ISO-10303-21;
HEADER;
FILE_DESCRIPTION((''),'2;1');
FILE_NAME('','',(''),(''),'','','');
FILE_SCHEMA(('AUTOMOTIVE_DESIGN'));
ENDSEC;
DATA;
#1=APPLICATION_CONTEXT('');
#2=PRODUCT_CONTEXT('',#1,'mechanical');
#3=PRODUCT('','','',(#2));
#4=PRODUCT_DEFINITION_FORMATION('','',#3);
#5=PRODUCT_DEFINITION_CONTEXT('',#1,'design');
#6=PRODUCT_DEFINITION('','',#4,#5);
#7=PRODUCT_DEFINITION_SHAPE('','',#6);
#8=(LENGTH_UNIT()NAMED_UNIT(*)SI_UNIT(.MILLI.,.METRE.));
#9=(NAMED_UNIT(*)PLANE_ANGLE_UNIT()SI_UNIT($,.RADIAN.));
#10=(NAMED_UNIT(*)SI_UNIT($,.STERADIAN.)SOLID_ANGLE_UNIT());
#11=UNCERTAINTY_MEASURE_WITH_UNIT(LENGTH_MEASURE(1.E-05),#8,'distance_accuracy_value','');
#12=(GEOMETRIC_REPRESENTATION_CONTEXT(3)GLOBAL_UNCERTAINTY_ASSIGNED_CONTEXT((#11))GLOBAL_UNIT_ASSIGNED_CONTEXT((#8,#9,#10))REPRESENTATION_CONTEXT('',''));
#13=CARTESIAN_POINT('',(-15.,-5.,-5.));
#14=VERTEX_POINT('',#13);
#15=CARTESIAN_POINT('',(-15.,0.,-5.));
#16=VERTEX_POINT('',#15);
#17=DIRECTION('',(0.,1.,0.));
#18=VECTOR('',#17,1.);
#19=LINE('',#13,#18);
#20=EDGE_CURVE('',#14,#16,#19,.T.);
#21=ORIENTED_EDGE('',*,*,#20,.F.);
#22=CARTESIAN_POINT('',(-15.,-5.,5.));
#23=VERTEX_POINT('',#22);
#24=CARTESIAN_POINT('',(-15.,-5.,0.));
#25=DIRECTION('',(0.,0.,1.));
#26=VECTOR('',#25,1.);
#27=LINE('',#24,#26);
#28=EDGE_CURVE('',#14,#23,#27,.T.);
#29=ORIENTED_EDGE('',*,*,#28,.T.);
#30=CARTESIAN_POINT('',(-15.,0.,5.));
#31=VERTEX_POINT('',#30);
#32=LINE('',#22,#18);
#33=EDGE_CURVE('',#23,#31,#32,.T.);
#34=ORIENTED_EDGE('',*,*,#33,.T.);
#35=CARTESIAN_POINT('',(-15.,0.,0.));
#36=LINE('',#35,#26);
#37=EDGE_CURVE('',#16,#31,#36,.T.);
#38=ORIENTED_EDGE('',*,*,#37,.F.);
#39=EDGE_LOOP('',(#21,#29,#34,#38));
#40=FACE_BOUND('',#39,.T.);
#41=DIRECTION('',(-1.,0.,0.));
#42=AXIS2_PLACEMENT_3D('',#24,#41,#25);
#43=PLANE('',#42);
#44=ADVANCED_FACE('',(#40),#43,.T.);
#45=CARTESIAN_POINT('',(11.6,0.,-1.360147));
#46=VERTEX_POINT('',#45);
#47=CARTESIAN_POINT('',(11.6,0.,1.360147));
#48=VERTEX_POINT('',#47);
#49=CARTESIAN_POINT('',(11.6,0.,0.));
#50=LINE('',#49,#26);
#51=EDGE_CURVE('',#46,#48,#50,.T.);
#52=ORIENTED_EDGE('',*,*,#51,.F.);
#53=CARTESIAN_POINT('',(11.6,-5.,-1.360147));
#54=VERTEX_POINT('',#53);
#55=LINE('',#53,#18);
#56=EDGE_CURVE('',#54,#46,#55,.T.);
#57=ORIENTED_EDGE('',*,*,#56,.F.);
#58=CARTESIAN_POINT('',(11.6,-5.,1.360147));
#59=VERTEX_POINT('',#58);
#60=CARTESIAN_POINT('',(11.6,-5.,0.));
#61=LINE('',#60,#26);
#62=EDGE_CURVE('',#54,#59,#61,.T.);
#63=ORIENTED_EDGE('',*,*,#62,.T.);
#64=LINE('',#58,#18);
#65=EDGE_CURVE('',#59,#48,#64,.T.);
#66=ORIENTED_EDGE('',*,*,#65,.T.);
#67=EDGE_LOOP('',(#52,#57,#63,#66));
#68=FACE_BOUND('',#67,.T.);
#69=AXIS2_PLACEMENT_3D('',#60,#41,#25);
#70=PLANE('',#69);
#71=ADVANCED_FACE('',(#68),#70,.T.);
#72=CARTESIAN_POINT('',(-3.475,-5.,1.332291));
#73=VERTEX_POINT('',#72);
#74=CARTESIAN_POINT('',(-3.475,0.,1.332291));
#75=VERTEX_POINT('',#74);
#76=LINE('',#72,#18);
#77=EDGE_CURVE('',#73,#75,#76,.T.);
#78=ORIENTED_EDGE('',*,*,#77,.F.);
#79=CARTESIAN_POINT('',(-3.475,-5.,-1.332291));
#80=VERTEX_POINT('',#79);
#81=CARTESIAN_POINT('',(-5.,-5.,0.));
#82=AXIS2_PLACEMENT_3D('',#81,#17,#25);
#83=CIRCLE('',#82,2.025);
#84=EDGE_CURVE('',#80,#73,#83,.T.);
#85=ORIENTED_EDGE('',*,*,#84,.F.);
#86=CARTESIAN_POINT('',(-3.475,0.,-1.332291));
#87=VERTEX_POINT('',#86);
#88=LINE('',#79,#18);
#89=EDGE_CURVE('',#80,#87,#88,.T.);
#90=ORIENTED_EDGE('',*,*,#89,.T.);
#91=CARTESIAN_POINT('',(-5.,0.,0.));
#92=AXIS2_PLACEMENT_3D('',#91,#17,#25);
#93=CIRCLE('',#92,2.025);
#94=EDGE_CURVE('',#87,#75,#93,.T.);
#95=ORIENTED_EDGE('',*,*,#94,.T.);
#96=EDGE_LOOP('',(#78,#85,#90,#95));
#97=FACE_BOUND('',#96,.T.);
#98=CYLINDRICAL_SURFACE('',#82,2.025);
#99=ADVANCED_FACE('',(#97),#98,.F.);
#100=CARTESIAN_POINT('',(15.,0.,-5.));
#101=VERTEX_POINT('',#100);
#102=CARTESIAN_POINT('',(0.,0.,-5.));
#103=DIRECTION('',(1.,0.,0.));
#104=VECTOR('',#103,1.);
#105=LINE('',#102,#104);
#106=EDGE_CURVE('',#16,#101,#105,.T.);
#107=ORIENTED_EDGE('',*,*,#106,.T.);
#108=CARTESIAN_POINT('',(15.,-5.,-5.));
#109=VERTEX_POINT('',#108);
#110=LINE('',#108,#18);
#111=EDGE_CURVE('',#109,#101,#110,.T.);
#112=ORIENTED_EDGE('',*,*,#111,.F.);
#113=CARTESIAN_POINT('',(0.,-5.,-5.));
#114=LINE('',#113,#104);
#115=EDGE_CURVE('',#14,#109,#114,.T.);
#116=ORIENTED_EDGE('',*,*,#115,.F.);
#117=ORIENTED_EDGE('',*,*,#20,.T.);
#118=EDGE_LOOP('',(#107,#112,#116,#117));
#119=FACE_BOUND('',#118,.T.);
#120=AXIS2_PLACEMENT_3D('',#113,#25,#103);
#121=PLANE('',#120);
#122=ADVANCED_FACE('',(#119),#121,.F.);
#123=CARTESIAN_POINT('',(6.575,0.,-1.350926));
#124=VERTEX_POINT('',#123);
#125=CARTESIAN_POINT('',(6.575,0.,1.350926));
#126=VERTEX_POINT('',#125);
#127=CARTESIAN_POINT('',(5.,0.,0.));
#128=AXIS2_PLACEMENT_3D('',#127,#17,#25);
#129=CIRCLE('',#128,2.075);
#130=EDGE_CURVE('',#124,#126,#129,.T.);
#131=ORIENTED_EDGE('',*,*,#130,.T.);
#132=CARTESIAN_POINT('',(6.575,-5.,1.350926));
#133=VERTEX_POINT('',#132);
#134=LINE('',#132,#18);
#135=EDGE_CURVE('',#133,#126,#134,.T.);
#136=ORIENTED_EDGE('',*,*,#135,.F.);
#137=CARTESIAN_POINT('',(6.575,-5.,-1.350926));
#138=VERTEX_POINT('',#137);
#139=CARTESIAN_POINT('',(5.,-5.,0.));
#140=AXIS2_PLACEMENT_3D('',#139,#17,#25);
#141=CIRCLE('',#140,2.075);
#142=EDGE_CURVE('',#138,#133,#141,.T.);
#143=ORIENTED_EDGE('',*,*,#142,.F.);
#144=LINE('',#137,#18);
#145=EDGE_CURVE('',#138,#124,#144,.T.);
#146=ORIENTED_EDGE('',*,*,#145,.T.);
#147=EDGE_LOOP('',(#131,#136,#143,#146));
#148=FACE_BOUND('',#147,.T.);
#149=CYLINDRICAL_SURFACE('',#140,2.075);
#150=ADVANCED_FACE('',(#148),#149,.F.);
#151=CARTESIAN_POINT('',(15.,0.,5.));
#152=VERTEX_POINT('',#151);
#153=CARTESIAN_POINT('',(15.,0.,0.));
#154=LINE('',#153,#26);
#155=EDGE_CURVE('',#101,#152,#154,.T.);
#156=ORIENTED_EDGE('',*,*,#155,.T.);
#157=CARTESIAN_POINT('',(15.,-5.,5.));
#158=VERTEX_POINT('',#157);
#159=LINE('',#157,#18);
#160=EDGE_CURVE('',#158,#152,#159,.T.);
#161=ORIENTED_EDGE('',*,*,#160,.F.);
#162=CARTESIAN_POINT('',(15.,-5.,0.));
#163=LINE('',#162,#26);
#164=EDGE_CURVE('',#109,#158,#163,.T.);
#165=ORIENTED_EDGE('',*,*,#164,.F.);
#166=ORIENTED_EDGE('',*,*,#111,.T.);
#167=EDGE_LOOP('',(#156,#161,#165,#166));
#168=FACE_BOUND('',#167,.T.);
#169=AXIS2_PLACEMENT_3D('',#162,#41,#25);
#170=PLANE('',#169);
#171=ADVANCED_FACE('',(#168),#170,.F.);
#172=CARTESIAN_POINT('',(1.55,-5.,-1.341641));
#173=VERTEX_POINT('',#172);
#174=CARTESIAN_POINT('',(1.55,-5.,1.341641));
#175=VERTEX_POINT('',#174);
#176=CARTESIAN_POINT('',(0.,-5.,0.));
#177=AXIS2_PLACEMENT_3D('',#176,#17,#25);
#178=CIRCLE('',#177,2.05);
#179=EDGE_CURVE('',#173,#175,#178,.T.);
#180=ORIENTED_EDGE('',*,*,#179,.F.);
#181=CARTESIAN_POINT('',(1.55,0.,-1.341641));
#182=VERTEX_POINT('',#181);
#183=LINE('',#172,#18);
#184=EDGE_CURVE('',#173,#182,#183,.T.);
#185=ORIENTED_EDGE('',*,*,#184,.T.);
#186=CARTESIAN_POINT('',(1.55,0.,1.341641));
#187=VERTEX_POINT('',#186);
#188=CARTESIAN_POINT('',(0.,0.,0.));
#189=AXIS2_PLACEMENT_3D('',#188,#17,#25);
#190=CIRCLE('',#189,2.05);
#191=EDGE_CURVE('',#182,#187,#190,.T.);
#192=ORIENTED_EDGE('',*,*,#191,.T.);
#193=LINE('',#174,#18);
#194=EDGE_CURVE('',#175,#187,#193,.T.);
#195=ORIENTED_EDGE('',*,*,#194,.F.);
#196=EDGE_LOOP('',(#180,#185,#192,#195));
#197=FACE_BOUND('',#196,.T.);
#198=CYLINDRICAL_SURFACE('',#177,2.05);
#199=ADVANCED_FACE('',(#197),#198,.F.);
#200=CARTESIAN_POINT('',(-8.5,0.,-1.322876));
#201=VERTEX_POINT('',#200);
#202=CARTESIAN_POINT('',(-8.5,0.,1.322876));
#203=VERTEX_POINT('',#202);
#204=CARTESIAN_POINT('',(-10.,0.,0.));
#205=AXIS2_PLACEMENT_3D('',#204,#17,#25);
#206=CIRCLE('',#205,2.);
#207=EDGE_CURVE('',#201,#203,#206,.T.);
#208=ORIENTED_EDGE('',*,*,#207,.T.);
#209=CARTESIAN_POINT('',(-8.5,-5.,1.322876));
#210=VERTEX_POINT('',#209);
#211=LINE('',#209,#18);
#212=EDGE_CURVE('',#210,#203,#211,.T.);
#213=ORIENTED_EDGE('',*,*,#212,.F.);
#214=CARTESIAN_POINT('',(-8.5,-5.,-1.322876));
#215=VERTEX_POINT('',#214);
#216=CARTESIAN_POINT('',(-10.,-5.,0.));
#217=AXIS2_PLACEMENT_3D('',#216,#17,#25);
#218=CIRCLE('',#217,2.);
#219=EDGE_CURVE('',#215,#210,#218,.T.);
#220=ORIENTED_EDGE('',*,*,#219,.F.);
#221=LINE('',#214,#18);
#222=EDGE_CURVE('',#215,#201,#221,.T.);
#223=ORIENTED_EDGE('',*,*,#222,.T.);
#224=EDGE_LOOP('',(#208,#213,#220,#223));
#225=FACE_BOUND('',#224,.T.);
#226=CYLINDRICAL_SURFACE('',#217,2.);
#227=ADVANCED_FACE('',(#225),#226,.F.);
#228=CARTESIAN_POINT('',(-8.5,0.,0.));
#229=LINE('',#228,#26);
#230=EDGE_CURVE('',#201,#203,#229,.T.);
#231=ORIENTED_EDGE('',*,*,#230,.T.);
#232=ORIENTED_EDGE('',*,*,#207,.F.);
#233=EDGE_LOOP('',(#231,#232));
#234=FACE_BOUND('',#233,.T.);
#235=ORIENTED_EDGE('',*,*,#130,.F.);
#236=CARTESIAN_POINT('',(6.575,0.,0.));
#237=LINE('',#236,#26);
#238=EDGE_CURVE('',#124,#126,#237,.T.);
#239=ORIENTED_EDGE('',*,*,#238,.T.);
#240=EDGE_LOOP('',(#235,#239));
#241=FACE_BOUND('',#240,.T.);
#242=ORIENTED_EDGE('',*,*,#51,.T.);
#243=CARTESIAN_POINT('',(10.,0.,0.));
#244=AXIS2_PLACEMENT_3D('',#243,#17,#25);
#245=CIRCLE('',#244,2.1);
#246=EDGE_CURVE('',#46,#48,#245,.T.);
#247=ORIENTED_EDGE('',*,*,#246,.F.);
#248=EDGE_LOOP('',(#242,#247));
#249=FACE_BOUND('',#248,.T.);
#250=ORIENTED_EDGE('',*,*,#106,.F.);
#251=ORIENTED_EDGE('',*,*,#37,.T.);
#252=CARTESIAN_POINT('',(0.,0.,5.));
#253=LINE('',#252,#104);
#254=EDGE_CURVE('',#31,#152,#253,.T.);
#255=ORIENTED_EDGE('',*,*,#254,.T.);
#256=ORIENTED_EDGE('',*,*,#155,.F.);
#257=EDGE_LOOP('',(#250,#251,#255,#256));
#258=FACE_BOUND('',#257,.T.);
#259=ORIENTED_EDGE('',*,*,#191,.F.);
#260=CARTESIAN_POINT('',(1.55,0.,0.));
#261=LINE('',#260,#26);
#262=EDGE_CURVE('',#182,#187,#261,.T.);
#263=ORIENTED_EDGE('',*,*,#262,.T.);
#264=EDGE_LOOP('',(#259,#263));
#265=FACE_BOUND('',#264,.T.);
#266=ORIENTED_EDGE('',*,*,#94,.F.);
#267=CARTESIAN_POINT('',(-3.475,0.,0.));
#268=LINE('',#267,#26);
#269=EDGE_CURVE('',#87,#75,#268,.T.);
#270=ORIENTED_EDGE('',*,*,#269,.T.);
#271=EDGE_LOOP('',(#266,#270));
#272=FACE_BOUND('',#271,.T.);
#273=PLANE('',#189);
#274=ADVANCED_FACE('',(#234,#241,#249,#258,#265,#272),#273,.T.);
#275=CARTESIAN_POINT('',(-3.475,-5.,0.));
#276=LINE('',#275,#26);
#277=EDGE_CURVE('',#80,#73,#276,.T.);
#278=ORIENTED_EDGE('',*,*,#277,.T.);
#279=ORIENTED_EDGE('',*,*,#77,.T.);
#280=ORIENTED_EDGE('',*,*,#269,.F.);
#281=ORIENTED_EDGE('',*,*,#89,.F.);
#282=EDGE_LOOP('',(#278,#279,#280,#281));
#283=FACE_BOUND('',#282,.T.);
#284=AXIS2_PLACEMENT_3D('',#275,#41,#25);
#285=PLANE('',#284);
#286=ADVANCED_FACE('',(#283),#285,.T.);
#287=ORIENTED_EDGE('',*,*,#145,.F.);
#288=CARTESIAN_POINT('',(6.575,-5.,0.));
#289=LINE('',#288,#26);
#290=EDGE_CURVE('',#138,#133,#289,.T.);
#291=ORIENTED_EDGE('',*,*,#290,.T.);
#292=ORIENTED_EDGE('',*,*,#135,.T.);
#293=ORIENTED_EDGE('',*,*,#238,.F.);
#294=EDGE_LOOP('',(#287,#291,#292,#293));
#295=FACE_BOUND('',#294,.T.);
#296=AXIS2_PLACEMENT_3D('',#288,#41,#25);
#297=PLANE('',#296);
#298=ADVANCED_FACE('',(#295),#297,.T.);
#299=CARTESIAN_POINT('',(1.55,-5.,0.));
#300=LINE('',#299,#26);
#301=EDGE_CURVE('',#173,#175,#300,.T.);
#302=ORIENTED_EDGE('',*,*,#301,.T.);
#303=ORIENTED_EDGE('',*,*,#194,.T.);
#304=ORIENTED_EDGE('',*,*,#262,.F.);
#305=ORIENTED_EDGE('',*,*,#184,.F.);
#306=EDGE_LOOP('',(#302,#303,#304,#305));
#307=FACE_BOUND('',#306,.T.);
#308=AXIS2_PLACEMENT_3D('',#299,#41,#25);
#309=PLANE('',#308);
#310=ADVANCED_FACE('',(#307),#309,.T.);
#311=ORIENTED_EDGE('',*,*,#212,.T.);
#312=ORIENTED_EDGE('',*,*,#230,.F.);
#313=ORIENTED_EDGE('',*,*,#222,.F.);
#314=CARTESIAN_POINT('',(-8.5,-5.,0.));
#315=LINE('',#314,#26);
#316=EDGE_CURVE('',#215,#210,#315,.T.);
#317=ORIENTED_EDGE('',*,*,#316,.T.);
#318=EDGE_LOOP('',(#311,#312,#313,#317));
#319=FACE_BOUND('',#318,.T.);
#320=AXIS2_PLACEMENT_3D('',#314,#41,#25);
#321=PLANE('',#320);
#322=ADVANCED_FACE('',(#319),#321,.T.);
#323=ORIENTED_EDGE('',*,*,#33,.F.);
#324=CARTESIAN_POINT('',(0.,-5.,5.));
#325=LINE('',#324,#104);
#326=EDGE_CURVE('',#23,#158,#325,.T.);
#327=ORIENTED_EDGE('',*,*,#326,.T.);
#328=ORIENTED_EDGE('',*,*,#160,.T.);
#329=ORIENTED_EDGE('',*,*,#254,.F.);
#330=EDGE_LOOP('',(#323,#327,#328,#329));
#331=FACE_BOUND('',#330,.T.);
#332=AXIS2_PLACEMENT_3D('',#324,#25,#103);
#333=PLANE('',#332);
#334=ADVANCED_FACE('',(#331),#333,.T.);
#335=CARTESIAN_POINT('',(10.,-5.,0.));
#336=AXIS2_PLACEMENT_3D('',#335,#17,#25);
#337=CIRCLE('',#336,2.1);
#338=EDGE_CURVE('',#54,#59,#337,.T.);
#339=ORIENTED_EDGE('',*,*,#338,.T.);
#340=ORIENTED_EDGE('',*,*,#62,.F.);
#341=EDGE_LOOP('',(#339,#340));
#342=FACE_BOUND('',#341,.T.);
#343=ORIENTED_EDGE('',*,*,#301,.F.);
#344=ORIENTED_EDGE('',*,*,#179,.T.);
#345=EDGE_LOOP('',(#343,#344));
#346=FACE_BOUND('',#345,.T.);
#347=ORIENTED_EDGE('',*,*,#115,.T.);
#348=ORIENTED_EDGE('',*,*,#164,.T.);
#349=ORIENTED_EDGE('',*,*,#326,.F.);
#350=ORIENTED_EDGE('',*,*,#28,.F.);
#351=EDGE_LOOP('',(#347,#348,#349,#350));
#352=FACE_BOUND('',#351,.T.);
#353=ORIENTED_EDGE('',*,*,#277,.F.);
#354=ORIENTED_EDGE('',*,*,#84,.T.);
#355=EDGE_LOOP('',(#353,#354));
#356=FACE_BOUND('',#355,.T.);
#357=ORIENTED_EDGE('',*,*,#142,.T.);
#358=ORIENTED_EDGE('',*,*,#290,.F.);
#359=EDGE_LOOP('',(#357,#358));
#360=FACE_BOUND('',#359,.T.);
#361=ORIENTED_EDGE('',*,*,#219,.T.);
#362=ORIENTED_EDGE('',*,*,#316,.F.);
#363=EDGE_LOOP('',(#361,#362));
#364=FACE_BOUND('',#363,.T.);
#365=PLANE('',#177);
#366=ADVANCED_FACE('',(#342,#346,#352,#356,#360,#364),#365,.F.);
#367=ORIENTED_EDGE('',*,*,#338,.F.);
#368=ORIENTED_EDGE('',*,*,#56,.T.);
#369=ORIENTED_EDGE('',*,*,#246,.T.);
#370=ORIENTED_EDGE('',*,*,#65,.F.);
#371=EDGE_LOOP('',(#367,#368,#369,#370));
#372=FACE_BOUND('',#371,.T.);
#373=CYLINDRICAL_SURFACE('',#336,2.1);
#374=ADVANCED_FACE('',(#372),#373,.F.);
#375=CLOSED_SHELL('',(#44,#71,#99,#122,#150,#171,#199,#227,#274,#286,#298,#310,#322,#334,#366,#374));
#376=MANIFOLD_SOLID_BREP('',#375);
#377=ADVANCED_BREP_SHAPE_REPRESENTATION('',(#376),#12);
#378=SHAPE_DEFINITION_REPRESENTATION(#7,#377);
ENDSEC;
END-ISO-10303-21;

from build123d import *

# Parameters (mm, degrees)
SKETCH1_W           = 30
SKETCH1_H           = 10
BOSS_EXTRUDE1_DEPTH = 5


with BuildPart() as part:
    # Sketch1 → Boss-Extrude1 (new body)
    with BuildSketch(Plane(origin=(0, 0, 0), x_dir=(1, 0, 0), z_dir=(0, 1, 0))):
        Rectangle(SKETCH1_W, SKETCH1_H)
        with BuildLine():
            ThreePointArc((11.6, 1.360147051), (7.9, 0), (11.6, -1.360147051))
            Line((11.6, -1.360147051), (11.6, 1.360147051))
        make_face(mode=Mode.SUBTRACT)
        with BuildLine():
            ThreePointArc((6.575, 1.350925609), (2.925, 0), (6.575, -1.350925609))
            Line((6.575, -1.350925609), (6.575, 1.350925609))
        make_face(mode=Mode.SUBTRACT)
        with BuildLine():
            ThreePointArc((1.55, 1.341640786), (-2.05, 0), (1.55, -1.341640786))
            Line((1.55, -1.341640786), (1.55, 1.341640786))
        make_face(mode=Mode.SUBTRACT)
        with BuildLine():
            ThreePointArc((-3.475, 1.332291259), (-7.025, 0), (-3.475, -1.332291259))
            Line((-3.475, -1.332291259), (-3.475, 1.332291259))
        make_face(mode=Mode.SUBTRACT)
        with BuildLine():
            ThreePointArc((-8.5, 1.322875656), (-12, 0), (-8.5, -1.322875656))
            Line((-8.5, -1.322875656), (-8.5, 1.322875656))
        make_face(mode=Mode.SUBTRACT)
    extrude(amount=-BOSS_EXTRUDE1_DEPTH)


solid = part.part
